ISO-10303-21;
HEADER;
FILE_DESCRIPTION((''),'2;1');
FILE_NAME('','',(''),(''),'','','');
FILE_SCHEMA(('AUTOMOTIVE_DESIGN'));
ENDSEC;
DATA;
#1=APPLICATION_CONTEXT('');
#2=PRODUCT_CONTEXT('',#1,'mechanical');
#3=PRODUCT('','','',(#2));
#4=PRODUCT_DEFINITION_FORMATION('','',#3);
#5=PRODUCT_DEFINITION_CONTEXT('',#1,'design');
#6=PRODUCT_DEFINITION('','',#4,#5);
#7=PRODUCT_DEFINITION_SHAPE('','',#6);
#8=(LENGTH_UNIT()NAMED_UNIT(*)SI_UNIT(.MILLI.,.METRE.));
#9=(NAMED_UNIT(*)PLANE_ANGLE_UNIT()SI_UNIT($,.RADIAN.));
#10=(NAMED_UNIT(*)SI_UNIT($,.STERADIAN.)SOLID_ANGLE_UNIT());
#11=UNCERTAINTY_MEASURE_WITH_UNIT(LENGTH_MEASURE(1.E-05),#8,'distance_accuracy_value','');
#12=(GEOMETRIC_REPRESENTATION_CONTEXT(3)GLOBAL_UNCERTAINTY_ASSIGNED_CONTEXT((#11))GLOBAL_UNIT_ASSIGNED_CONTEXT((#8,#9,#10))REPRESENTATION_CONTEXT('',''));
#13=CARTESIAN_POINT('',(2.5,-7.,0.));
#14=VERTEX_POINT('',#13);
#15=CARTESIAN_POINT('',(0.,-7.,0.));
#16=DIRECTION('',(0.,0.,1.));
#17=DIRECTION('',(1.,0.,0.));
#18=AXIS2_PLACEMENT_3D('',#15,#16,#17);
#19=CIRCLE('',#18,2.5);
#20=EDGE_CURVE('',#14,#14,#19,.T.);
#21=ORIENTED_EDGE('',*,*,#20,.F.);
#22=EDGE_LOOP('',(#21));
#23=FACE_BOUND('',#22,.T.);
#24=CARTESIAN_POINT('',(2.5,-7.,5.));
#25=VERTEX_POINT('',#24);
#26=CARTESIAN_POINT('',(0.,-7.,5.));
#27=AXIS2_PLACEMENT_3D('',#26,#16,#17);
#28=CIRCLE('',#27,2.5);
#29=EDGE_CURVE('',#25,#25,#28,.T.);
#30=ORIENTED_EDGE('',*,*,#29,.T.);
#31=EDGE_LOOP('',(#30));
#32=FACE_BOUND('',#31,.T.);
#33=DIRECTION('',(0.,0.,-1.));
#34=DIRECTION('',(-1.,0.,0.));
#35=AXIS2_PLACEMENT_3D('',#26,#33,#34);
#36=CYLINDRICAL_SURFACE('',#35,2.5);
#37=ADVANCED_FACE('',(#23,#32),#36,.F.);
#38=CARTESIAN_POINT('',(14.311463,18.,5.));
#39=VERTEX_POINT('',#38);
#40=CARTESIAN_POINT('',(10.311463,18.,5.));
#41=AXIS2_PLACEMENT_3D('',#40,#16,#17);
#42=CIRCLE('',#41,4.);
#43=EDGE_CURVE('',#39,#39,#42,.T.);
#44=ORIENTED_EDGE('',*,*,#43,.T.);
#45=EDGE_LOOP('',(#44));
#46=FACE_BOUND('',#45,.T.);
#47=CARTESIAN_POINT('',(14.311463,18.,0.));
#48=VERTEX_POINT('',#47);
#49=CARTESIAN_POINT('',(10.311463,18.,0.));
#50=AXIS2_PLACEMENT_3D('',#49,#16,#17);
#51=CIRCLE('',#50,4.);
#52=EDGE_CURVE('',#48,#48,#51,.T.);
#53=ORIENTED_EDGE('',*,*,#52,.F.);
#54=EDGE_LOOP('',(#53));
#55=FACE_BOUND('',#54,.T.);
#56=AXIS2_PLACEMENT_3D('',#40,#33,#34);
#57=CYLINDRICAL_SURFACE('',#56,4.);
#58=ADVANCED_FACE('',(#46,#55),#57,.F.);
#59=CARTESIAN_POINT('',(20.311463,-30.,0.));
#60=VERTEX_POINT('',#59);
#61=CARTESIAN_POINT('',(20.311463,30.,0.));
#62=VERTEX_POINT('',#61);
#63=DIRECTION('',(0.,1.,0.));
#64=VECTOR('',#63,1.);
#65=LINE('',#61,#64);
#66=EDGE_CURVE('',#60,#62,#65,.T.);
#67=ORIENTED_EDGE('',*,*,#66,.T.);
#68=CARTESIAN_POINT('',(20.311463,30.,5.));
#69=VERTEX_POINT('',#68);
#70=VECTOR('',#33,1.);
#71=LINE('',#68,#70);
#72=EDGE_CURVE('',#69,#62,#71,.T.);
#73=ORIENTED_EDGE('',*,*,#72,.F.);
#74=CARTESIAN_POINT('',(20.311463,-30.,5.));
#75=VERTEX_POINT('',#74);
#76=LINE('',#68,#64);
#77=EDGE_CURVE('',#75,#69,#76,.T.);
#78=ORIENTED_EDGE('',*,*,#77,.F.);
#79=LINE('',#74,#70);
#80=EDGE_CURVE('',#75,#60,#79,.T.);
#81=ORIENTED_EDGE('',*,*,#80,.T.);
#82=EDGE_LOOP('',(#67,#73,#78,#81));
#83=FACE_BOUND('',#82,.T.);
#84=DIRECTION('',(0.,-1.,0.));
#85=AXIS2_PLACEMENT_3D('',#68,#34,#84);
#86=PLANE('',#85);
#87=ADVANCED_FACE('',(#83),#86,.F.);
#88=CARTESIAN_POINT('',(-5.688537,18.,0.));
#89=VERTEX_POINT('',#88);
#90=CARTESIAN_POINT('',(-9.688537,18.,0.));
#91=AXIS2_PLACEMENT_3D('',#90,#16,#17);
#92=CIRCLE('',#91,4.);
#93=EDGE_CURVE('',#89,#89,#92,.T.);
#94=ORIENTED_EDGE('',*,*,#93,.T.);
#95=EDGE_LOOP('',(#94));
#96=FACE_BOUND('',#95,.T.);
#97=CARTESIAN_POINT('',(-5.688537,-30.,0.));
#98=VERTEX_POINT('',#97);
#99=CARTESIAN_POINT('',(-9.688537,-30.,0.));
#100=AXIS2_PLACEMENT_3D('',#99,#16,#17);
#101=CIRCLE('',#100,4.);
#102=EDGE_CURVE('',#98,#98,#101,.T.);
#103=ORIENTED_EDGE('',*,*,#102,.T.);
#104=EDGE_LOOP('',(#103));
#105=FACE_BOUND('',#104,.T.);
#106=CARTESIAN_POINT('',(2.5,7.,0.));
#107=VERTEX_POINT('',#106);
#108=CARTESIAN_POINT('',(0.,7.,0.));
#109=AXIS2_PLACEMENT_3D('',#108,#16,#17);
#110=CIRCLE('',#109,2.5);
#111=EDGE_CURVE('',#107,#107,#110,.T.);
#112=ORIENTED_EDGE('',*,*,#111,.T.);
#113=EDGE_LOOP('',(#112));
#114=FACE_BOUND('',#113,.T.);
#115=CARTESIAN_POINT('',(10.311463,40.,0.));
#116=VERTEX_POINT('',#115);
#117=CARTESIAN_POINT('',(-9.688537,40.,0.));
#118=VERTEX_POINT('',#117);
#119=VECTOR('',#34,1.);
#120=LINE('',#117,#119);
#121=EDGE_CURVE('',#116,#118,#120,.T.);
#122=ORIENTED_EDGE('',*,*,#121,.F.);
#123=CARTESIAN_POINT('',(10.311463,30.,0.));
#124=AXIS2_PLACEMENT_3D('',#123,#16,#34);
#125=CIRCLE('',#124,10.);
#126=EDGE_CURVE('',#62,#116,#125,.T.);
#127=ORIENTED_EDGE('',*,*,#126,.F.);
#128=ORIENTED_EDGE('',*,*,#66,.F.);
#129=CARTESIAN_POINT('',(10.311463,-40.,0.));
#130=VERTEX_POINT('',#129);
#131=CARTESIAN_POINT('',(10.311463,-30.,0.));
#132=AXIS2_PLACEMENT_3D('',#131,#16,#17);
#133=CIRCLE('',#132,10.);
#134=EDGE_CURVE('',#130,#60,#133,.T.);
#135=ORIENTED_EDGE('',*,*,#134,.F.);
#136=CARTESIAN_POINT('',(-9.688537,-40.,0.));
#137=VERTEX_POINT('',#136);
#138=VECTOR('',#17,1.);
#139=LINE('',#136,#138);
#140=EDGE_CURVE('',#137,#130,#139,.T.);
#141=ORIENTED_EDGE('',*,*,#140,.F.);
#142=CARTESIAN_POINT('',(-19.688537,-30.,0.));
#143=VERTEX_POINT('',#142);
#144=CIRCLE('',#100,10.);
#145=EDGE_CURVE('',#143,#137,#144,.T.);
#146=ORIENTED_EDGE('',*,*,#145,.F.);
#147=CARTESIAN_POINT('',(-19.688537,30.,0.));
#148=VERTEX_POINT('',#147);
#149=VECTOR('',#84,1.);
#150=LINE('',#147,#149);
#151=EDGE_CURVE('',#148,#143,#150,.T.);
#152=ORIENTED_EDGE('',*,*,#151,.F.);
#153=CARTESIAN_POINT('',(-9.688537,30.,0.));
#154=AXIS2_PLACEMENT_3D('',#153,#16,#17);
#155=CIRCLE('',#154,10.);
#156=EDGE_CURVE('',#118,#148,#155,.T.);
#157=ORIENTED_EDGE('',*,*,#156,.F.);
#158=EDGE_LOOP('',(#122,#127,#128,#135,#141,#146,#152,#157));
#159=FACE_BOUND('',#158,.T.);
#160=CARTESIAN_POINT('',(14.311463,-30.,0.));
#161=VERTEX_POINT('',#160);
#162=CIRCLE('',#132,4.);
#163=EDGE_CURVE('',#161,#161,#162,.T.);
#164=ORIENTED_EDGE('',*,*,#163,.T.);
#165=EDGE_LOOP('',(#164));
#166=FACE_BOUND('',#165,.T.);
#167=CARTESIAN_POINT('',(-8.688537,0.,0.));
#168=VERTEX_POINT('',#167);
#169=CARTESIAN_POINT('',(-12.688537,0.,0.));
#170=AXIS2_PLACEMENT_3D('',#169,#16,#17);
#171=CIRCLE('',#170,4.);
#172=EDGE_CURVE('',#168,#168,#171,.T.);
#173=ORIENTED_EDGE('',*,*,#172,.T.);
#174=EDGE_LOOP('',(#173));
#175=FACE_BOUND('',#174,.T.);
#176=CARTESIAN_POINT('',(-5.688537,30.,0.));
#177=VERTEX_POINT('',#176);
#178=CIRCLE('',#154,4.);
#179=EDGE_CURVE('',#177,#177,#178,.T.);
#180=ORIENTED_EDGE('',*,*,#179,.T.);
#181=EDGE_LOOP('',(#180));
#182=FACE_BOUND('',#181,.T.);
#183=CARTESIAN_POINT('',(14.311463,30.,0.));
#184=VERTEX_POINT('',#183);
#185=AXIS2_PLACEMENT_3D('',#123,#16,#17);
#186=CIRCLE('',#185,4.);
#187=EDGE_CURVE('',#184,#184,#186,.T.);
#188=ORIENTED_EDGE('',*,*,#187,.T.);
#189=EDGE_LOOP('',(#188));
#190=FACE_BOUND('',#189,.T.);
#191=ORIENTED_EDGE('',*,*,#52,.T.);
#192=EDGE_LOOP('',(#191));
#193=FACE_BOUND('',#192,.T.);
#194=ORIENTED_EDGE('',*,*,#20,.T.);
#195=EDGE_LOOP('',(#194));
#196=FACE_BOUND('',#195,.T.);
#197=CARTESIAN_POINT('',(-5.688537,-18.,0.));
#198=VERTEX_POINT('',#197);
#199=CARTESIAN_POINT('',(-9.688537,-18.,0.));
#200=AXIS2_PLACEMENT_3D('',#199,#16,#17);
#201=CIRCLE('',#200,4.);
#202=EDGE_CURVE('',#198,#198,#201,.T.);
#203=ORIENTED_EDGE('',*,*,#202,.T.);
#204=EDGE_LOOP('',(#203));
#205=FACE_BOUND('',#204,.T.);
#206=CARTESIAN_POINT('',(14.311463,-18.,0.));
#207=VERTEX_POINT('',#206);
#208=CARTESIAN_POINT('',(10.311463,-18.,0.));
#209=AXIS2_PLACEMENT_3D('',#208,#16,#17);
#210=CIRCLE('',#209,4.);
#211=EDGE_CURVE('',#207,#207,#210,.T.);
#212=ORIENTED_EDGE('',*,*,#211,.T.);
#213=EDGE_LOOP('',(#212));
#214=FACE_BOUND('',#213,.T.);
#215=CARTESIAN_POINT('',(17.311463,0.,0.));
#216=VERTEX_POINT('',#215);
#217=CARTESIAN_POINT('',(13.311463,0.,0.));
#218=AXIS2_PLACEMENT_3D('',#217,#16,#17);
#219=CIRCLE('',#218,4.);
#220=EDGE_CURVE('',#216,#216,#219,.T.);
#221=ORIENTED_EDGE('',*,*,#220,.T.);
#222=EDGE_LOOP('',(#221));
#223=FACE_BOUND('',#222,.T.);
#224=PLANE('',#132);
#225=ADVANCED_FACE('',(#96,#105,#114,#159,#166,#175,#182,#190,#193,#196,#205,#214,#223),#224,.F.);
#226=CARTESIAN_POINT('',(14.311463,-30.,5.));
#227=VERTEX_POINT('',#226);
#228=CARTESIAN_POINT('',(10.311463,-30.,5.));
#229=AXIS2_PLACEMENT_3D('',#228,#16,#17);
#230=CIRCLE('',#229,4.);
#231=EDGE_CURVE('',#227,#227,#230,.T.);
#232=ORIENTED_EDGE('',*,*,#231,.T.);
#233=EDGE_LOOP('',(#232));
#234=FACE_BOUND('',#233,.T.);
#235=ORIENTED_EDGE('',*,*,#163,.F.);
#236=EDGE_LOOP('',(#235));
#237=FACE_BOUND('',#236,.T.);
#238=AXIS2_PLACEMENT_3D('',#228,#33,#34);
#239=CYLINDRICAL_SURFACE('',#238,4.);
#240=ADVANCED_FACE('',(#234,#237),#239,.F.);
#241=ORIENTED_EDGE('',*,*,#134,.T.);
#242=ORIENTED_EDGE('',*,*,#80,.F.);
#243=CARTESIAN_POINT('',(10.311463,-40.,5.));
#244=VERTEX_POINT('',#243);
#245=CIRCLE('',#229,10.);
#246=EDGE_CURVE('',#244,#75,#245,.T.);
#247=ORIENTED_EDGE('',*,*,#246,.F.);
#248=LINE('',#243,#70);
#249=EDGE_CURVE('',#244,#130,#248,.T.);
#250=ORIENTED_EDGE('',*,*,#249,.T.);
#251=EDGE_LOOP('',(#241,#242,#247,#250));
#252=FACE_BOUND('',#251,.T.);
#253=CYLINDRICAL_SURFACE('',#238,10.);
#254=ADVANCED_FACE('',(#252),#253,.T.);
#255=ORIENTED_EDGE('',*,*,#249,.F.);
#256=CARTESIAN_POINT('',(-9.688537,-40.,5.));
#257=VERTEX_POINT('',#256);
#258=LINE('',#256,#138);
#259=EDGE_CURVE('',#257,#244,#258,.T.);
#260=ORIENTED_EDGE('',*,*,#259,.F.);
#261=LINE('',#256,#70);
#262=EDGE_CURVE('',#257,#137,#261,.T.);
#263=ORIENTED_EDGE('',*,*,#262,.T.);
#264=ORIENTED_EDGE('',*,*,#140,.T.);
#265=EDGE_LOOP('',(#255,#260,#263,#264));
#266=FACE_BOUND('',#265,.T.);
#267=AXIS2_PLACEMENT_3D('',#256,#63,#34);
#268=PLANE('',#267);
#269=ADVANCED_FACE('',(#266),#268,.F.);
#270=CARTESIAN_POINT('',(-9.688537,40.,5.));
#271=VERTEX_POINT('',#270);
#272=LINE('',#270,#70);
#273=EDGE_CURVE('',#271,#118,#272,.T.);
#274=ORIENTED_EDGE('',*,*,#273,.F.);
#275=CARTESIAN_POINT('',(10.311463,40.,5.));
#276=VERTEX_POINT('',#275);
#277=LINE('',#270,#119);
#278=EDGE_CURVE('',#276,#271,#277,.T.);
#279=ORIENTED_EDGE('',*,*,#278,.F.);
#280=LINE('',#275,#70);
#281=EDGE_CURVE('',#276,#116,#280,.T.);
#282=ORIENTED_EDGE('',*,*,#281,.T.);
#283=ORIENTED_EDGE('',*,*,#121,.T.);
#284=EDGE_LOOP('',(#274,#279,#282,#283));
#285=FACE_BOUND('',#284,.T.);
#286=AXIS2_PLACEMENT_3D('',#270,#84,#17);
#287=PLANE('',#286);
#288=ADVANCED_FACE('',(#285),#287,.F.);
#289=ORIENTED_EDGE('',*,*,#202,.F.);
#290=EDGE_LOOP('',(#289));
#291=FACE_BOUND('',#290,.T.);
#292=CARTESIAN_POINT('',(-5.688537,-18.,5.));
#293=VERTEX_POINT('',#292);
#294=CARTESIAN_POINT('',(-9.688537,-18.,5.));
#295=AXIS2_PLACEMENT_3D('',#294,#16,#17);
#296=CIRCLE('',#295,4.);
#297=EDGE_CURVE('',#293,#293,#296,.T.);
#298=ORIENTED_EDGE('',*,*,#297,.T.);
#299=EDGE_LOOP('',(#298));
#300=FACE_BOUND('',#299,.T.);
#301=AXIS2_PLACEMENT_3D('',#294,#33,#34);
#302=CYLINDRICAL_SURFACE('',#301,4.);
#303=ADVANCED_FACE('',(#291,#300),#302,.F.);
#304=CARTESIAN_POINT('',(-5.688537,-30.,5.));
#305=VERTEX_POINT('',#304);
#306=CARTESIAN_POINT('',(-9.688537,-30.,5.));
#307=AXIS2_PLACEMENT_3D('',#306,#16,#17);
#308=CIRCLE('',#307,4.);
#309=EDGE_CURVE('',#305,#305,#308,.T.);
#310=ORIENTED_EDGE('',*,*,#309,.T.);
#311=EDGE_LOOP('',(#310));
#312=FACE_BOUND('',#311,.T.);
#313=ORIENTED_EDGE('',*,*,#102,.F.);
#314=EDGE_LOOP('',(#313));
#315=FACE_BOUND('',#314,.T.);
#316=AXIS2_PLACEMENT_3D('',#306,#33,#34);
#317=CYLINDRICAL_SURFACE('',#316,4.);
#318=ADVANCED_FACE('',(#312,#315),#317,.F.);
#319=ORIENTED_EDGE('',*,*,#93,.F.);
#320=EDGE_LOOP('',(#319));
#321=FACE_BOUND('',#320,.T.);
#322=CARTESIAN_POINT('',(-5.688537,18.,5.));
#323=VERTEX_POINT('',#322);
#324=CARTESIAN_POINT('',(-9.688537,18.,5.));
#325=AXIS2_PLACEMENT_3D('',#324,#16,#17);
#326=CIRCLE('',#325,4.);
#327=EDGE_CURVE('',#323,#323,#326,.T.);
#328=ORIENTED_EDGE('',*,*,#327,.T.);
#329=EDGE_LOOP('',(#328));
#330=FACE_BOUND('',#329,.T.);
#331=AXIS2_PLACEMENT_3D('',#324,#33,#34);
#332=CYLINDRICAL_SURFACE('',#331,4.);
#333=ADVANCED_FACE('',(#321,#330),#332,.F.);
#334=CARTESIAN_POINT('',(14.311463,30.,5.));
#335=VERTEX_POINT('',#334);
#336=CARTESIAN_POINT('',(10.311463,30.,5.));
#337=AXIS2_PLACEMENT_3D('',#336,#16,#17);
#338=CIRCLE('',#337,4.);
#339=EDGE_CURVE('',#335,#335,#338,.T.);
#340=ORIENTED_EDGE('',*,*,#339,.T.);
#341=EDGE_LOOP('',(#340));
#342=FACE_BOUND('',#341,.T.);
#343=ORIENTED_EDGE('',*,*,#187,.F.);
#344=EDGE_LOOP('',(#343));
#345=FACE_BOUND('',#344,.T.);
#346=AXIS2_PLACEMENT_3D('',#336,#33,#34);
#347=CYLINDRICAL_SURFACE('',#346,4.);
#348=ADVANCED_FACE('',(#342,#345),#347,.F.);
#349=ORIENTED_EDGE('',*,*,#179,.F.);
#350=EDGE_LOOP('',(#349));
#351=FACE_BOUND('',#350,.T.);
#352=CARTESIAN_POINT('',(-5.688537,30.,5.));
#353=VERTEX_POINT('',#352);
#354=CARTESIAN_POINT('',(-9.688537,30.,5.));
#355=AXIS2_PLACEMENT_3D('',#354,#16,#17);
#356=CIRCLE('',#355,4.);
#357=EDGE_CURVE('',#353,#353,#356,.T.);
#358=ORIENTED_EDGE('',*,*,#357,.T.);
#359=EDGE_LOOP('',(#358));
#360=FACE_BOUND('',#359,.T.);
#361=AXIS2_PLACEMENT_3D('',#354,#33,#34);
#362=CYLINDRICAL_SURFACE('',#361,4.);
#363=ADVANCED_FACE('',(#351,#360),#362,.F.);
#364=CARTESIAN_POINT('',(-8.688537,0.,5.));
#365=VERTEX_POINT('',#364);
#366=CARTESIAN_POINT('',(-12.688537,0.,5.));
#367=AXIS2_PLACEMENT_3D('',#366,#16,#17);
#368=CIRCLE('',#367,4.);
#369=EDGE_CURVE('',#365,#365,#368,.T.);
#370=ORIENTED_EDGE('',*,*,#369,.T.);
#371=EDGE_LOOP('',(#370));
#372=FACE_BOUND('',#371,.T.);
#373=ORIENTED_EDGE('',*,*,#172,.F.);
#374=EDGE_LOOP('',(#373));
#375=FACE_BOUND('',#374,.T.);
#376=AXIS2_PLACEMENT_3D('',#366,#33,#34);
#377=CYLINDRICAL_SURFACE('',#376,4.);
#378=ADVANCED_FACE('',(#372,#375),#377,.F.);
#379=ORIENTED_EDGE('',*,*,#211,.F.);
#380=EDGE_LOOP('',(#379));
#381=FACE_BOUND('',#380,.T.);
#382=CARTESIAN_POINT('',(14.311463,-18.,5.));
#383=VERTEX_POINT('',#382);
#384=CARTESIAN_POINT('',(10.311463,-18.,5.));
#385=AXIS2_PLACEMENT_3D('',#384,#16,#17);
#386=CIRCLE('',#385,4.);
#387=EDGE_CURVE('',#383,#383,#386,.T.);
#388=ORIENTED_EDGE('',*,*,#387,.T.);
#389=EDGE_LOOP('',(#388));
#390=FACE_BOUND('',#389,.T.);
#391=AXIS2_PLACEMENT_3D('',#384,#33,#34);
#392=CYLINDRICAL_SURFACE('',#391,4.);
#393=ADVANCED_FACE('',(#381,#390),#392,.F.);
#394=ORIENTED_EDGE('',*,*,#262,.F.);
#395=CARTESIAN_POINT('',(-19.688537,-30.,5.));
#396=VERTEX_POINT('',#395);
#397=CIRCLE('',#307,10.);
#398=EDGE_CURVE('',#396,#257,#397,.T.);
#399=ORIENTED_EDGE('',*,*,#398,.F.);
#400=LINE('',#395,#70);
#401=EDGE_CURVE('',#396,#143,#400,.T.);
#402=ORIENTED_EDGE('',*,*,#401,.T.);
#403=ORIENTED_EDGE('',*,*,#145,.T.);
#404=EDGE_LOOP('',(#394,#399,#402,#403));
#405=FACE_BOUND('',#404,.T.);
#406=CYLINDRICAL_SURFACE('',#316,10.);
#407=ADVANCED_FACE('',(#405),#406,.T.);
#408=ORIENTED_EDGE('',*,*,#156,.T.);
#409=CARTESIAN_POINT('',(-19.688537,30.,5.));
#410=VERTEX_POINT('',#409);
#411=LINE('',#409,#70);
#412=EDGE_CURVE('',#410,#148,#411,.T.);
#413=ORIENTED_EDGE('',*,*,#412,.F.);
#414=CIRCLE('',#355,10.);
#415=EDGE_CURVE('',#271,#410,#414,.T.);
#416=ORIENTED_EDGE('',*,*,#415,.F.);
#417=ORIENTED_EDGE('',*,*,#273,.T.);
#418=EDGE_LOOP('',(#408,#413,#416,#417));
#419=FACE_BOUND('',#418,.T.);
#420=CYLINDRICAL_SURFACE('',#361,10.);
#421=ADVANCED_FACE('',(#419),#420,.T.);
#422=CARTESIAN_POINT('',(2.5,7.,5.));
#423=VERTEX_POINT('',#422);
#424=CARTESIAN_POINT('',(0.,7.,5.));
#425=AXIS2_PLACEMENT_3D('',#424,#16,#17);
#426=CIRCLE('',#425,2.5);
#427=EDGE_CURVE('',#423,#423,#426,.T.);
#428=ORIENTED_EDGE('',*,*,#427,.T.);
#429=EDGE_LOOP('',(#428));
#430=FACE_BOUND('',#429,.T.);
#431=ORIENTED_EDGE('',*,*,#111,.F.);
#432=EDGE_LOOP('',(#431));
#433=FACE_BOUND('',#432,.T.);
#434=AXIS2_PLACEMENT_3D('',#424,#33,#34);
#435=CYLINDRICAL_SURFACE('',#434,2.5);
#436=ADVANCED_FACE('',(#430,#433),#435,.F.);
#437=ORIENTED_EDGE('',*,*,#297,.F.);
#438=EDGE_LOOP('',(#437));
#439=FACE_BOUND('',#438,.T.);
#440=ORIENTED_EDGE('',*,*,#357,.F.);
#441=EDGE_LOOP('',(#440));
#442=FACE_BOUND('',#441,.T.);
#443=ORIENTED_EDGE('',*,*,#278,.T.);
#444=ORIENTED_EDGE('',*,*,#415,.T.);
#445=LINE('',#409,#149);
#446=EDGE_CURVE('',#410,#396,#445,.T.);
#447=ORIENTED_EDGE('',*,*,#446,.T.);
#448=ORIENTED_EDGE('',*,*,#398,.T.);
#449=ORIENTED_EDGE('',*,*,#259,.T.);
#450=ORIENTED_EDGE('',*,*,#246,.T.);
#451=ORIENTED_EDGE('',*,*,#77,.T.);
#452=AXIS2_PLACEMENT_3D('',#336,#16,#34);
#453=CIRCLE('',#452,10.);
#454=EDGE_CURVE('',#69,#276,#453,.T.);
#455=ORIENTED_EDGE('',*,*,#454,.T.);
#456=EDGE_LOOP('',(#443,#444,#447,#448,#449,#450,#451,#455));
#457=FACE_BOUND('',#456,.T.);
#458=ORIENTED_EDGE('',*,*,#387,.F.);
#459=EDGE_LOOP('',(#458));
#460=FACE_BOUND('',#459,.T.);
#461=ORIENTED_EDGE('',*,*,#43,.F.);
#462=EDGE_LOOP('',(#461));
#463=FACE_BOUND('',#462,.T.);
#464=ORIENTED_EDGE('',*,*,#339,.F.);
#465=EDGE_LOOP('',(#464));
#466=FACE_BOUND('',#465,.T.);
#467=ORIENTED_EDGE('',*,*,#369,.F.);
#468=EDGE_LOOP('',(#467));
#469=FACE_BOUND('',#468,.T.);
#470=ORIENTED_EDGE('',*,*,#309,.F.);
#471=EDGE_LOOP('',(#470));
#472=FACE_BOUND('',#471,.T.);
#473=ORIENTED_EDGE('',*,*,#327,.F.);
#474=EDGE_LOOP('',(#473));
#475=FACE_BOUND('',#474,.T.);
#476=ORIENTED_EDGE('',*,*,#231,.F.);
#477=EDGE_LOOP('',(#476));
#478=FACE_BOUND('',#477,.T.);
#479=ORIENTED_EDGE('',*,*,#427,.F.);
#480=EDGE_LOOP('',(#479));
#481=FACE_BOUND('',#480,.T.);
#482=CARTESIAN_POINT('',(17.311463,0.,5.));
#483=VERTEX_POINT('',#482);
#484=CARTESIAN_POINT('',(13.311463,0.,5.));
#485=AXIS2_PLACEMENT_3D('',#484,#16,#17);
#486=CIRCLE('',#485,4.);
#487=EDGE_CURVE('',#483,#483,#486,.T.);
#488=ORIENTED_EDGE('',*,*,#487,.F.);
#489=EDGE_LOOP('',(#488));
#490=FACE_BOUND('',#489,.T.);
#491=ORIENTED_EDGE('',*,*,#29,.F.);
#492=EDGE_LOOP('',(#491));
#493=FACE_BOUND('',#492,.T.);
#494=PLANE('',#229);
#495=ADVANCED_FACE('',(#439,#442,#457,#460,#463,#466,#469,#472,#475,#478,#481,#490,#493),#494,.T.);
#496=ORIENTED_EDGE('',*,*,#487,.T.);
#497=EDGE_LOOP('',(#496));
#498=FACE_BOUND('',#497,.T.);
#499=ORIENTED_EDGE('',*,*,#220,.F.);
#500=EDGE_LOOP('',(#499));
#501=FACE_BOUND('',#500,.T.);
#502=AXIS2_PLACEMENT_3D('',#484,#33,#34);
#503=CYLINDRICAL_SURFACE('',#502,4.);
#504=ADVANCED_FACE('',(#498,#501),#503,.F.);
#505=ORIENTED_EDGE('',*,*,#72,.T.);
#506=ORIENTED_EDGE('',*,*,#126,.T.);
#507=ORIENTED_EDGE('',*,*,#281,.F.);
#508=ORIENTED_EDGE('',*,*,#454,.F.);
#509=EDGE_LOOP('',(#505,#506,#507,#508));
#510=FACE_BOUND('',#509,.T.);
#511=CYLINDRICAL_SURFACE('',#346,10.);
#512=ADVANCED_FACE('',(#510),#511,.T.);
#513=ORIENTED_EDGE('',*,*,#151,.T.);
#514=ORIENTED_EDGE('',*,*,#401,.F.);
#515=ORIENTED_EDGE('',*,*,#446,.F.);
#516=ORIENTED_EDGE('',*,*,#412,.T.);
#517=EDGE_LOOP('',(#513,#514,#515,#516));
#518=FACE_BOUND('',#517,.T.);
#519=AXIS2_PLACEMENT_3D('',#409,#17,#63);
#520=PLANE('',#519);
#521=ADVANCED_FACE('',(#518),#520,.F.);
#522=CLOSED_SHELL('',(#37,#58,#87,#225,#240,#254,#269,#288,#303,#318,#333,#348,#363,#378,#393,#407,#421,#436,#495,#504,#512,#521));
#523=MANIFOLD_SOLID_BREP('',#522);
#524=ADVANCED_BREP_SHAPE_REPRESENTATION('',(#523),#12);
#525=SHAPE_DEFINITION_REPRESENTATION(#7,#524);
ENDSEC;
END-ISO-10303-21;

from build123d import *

# Parameters (mm, degrees)
SKETCH1_R           = 2.5
SKETCH1_R_2         = 4
BOSS_EXTRUDE1_DEPTH = 5


with BuildPart() as part:
    # Sketch1 → Boss-Extrude1 (new body)
    with BuildSketch(Plane.XY):
        with BuildLine():
            Line((-9.688536745, 40), (10.311463255, 40))
            ThreePointArc((10.311463255, 40), (17.382531067, 37.071067812), (20.311463255, 30))
            Line((20.311463255, 30), (20.311463255, -30))
            ThreePointArc((20.311463255, -30), (17.382531067, -37.071067812), (10.311463255, -40))
            Line((10.311463255, -40), (-9.688536745, -40))
            ThreePointArc((-9.688536745, -40), (-16.759604557, -37.071067812), (-19.688536745, -30))
            Line((-19.688536745, -30), (-19.688536745, 30))
            ThreePointArc((-19.688536745, 30), (-16.759604557, 37.071067812), (-9.688536745, 40))
        make_face()
        with Locations((0, 7)):
            Circle(SKETCH1_R, mode=Mode.SUBTRACT)
        with Locations((0, -7)):
            Circle(SKETCH1_R, mode=Mode.SUBTRACT)
        with Locations((-9.688536745, 30)):
            Circle(SKETCH1_R_2, mode=Mode.SUBTRACT)
        with Locations((10.311463255, 30)):
            Circle(SKETCH1_R_2, mode=Mode.SUBTRACT)
        with Locations((-9.688536745, -30)):
            Circle(SKETCH1_R_2, mode=Mode.SUBTRACT)
        with Locations((10.311463255, -30)):
            Circle(SKETCH1_R_2, mode=Mode.SUBTRACT)
        with Locations((-12.688536745, 0)):
            Circle(SKETCH1_R_2, mode=Mode.SUBTRACT)
        with Locations((13.311463255, 0)):
            Circle(SKETCH1_R_2, mode=Mode.SUBTRACT)
        with Locations((-9.688536745, -18)):
            Circle(SKETCH1_R_2, mode=Mode.SUBTRACT)
        with Locations((10.311463255, -18)):
            Circle(SKETCH1_R_2, mode=Mode.SUBTRACT)
        with Locations((10.311463255, 18)):
            Circle(SKETCH1_R_2, mode=Mode.SUBTRACT)
        with Locations((-9.688536745, 18)):
            Circle(SKETCH1_R_2, mode=Mode.SUBTRACT)
    extrude(amount=BOSS_EXTRUDE1_DEPTH)


solid = part.part
